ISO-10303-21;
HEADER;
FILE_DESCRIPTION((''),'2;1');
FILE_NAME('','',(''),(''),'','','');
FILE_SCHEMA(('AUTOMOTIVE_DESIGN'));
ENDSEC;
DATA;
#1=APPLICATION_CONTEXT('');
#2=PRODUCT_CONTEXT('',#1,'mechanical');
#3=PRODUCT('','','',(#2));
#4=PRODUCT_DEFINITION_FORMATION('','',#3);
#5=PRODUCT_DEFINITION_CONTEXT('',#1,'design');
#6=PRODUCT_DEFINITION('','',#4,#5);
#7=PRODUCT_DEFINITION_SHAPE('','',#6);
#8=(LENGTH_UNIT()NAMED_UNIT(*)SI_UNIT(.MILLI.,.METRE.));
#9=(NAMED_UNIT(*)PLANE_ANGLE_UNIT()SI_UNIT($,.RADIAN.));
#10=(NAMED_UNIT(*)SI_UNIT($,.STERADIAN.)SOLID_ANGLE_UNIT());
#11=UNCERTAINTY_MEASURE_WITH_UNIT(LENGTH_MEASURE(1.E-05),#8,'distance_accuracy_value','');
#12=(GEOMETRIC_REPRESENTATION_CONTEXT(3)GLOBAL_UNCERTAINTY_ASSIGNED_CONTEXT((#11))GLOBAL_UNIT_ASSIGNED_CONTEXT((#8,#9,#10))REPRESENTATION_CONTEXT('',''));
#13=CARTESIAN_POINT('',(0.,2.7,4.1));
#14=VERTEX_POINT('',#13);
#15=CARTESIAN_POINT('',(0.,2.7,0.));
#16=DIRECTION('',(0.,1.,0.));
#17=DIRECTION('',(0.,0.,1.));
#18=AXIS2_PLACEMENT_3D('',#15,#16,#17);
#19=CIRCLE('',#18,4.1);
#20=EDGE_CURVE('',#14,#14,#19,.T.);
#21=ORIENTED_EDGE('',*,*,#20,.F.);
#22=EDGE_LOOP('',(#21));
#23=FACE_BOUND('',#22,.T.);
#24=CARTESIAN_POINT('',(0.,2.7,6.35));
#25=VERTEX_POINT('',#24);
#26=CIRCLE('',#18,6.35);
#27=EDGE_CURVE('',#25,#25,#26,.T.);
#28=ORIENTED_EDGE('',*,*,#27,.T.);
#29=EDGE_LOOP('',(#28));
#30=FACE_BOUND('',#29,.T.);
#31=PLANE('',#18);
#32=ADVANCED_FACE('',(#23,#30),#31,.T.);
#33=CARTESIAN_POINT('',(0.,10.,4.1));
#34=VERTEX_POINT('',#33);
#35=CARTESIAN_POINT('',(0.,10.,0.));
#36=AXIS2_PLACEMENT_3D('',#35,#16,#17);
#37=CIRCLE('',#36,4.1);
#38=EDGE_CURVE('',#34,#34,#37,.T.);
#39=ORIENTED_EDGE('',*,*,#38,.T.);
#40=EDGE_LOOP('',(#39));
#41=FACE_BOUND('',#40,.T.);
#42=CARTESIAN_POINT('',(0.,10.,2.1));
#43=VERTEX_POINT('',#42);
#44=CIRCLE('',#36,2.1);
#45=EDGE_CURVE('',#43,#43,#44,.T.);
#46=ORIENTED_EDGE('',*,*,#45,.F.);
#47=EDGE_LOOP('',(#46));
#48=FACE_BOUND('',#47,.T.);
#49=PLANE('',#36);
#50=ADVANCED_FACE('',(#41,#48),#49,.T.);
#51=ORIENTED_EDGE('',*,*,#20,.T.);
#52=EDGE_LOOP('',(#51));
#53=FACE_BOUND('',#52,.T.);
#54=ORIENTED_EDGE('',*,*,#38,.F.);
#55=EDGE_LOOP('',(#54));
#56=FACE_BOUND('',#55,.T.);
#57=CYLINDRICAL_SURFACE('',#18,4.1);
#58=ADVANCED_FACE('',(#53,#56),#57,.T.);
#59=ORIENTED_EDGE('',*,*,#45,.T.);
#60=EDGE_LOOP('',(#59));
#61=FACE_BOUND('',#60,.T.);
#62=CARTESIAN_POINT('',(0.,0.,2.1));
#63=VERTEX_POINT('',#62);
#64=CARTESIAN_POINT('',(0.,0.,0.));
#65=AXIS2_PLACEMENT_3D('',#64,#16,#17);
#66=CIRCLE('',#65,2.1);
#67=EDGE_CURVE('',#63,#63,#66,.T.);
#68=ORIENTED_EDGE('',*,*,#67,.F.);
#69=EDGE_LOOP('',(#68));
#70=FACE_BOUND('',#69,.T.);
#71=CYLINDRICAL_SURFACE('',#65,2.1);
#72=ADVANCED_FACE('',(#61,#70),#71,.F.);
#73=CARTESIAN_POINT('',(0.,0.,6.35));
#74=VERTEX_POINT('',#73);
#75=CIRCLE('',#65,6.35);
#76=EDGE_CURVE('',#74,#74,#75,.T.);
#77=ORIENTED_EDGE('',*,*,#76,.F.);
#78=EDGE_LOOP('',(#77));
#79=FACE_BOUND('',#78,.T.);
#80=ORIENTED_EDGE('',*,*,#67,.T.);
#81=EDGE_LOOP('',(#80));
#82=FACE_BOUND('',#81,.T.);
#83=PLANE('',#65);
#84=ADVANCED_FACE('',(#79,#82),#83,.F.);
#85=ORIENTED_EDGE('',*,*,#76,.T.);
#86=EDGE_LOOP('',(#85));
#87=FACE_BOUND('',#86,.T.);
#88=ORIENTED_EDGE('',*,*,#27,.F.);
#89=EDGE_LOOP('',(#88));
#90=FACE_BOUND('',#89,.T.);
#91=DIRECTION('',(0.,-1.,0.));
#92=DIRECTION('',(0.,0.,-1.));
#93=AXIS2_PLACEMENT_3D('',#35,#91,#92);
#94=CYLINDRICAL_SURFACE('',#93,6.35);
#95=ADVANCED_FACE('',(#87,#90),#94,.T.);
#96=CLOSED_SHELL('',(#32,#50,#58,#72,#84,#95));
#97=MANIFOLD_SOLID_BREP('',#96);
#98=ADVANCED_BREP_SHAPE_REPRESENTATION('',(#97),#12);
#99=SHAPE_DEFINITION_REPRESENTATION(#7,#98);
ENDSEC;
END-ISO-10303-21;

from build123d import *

# Parameters (mm, degrees)
SKETCH1_R               = 6.35
BASE_BODY_DEPTH         = 10
SKETCH2_R               = 2.1
SHAFT_BEARING_CUT_DEPTH = 11
SKETCH3_OUTSIDE_W       = 18.812
SKETCH3_OUTSIDE_H       = 18.812
SKETCH3_OUTSIDE_R       = 4.1
LATHE_CUT_DEPTH         = 7.3


with BuildPart() as part:
    # Sketch1 → base_body (new body)
    with BuildSketch(Plane(origin=(0, 0, 0), x_dir=(1, 0, 0), z_dir=(0, 1, 0))):
        Circle(SKETCH1_R)
    extrude(amount=BASE_BODY_DEPTH)

    # Sketch2 → shaft_bearing_cut (cut, through all)
    with BuildSketch(Plane(origin=(0, 10, 0), x_dir=(1, 0, 0), z_dir=(0, 1, 0))):
        Circle(SKETCH2_R)
    extrude(amount=-SHAFT_BEARING_CUT_DEPTH, mode=Mode.SUBTRACT)

    # Sketch3 outside → lathe_cut (cut)
    with BuildSketch(Plane(origin=(0, 10, 0), x_dir=(1, 0, 0), z_dir=(0, 1, 0))):
        Rectangle(SKETCH3_OUTSIDE_W, SKETCH3_OUTSIDE_H)
        Circle(SKETCH3_OUTSIDE_R, mode=Mode.SUBTRACT)
    extrude(amount=-LATHE_CUT_DEPTH, mode=Mode.SUBTRACT)


solid = part.part
